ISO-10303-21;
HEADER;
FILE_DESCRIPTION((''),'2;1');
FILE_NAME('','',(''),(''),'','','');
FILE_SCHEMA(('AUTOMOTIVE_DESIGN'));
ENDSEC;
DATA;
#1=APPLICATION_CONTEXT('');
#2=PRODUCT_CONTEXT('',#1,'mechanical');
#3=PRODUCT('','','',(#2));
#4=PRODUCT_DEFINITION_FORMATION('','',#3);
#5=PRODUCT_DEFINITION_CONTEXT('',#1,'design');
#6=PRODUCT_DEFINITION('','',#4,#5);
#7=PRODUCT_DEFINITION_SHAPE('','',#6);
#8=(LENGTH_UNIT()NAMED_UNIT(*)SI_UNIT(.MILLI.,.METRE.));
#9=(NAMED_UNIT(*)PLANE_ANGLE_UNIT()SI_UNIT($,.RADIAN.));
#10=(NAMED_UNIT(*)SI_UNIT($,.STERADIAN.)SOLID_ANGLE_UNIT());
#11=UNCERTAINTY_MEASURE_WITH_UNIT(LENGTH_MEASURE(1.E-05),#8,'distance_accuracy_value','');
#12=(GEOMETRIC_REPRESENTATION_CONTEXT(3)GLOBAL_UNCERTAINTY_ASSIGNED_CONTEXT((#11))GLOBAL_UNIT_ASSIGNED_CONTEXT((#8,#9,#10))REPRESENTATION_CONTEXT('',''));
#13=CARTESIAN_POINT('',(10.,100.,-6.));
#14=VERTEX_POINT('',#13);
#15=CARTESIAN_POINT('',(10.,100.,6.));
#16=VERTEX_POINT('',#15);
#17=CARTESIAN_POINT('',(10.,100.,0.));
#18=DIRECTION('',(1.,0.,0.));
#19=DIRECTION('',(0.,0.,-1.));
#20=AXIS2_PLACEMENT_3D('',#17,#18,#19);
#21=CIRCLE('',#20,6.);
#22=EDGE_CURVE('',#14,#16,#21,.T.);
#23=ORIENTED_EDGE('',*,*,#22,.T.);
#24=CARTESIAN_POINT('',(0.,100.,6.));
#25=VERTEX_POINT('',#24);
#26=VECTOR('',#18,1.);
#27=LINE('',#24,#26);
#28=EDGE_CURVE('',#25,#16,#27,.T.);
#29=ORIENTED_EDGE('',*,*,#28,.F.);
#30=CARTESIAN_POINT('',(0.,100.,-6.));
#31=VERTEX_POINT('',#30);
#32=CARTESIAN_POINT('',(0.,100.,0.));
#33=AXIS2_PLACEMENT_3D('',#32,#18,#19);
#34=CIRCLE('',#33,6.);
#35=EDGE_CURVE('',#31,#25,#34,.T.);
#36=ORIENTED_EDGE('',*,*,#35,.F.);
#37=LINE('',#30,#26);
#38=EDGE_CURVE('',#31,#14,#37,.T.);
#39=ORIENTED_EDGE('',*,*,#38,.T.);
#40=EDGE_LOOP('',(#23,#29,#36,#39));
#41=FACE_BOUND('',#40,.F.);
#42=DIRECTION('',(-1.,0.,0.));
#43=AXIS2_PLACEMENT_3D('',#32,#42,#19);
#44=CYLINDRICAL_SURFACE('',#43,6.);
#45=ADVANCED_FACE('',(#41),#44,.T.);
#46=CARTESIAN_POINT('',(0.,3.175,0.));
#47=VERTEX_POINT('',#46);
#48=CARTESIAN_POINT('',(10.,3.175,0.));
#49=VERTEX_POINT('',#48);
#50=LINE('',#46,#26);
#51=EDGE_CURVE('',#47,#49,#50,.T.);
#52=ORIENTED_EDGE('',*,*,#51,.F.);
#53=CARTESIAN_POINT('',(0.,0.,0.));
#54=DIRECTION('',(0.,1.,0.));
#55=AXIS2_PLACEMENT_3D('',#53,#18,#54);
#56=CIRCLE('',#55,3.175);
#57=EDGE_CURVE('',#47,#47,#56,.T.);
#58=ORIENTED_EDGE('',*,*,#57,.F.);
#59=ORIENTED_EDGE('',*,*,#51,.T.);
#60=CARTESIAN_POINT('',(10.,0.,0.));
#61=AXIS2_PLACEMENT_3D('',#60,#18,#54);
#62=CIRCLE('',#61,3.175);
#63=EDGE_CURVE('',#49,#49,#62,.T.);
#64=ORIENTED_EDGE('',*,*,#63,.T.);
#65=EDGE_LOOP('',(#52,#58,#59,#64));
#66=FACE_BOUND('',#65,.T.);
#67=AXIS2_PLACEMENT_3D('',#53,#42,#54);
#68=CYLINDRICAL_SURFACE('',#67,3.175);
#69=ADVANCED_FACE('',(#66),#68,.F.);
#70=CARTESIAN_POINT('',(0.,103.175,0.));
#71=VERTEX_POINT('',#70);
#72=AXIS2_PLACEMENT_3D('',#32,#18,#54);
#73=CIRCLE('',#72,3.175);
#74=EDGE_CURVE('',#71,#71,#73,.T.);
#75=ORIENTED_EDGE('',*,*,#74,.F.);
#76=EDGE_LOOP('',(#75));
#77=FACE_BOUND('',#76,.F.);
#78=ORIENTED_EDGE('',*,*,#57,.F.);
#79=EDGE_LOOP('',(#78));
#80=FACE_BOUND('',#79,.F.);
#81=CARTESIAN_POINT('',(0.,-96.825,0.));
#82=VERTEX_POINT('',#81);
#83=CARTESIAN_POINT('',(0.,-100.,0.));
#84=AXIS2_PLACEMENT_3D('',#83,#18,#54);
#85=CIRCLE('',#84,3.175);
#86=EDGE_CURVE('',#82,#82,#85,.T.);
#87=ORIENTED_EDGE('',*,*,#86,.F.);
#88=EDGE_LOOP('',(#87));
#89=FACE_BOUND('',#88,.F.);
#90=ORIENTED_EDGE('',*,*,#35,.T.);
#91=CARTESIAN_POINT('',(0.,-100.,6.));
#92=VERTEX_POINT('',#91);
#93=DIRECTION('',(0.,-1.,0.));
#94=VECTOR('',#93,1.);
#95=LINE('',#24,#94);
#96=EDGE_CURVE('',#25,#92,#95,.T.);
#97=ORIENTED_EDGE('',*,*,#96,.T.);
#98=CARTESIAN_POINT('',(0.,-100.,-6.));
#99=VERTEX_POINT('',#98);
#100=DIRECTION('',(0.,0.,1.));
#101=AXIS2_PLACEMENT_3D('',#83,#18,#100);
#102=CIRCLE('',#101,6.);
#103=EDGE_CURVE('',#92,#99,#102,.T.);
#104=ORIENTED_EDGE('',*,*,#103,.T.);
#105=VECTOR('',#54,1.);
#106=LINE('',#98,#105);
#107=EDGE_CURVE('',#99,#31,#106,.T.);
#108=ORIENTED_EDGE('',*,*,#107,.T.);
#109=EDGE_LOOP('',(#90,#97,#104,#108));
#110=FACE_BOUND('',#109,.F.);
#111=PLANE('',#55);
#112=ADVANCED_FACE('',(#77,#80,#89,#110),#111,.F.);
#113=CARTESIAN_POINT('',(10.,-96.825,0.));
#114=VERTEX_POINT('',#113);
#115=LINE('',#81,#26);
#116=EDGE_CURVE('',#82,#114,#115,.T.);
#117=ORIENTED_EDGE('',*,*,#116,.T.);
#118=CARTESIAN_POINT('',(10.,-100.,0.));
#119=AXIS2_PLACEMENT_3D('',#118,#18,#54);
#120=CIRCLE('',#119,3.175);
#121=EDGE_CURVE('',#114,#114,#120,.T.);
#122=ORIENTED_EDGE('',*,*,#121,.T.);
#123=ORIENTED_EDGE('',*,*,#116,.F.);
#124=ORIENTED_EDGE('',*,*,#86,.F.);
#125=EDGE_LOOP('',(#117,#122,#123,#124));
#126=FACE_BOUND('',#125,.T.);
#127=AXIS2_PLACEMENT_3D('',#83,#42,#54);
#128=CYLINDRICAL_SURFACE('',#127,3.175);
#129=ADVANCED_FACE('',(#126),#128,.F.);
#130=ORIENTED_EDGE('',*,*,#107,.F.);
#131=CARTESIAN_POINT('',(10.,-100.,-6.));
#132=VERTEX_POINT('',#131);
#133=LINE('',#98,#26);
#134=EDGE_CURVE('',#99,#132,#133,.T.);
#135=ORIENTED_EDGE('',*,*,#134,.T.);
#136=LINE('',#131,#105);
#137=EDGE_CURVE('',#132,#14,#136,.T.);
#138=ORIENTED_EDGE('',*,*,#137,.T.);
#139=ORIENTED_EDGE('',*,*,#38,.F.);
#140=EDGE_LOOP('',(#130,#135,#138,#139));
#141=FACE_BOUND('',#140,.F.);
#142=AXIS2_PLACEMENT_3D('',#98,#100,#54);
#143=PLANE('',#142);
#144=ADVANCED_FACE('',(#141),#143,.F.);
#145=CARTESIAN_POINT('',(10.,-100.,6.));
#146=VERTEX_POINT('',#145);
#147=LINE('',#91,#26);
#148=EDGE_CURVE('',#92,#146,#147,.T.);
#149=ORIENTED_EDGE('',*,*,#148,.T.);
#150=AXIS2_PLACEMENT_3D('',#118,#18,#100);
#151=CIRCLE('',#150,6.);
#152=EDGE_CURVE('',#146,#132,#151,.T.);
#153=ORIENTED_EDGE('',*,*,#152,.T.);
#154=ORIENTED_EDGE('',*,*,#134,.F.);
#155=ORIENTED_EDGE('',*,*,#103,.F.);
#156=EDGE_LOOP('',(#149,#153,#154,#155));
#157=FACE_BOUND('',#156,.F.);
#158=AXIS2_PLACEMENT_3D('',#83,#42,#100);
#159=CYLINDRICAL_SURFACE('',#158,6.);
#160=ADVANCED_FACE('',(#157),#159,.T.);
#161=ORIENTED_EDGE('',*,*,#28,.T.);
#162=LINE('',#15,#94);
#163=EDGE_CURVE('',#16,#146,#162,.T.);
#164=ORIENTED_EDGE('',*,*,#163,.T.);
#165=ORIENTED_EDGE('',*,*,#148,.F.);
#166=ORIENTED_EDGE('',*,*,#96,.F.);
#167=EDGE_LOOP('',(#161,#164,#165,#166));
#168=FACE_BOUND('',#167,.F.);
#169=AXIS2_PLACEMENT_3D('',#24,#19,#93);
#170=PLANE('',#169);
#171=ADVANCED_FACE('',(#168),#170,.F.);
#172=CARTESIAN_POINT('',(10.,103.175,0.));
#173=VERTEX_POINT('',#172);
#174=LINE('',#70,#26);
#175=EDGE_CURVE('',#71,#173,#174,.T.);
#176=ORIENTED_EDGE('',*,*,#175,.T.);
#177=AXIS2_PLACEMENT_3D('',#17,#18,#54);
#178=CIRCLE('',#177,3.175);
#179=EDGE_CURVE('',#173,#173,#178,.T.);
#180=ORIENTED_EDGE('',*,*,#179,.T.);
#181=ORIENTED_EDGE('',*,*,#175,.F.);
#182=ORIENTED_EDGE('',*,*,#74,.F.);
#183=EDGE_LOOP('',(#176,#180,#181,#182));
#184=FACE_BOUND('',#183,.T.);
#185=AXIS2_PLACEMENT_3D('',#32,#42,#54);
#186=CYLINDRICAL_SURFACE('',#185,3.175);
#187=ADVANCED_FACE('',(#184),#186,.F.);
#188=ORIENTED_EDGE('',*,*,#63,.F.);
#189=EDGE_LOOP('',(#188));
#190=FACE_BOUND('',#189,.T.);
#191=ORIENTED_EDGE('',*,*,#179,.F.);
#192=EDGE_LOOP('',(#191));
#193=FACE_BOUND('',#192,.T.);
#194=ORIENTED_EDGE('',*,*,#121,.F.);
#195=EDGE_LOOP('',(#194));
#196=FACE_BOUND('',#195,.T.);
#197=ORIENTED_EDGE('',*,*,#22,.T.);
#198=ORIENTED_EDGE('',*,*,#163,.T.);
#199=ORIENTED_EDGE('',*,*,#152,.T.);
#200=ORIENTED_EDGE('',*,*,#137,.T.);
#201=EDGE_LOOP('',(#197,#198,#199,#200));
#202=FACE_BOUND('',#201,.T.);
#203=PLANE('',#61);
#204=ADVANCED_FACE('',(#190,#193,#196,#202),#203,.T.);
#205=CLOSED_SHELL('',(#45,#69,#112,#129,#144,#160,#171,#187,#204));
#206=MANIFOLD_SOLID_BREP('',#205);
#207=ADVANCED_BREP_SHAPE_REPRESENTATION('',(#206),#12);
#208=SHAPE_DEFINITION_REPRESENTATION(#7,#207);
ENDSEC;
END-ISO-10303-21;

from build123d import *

# Parameters (mm, degrees)
F0_R     = 3.175
F1_DEPTH = 10


with BuildPart() as f1:
    # F0 (on Right) → F1 (new body)
    with BuildSketch(Plane.YZ):
        with BuildLine():
            Line((100, 6), (-100, 6))
            ThreePointArc((-100, 6), (-106, 0), (-100, -6))
            Line((-100, -6), (100, -6))
            ThreePointArc((100, -6), (106, 0), (100, 6))
        make_face()
        with Locations((-100, 0)):
            Circle(F0_R, mode=Mode.SUBTRACT)
        Circle(F0_R, mode=Mode.SUBTRACT)
        with Locations((100, 0)):
            Circle(F0_R, mode=Mode.SUBTRACT)
    extrude(amount=F1_DEPTH)


solid = f1.part
